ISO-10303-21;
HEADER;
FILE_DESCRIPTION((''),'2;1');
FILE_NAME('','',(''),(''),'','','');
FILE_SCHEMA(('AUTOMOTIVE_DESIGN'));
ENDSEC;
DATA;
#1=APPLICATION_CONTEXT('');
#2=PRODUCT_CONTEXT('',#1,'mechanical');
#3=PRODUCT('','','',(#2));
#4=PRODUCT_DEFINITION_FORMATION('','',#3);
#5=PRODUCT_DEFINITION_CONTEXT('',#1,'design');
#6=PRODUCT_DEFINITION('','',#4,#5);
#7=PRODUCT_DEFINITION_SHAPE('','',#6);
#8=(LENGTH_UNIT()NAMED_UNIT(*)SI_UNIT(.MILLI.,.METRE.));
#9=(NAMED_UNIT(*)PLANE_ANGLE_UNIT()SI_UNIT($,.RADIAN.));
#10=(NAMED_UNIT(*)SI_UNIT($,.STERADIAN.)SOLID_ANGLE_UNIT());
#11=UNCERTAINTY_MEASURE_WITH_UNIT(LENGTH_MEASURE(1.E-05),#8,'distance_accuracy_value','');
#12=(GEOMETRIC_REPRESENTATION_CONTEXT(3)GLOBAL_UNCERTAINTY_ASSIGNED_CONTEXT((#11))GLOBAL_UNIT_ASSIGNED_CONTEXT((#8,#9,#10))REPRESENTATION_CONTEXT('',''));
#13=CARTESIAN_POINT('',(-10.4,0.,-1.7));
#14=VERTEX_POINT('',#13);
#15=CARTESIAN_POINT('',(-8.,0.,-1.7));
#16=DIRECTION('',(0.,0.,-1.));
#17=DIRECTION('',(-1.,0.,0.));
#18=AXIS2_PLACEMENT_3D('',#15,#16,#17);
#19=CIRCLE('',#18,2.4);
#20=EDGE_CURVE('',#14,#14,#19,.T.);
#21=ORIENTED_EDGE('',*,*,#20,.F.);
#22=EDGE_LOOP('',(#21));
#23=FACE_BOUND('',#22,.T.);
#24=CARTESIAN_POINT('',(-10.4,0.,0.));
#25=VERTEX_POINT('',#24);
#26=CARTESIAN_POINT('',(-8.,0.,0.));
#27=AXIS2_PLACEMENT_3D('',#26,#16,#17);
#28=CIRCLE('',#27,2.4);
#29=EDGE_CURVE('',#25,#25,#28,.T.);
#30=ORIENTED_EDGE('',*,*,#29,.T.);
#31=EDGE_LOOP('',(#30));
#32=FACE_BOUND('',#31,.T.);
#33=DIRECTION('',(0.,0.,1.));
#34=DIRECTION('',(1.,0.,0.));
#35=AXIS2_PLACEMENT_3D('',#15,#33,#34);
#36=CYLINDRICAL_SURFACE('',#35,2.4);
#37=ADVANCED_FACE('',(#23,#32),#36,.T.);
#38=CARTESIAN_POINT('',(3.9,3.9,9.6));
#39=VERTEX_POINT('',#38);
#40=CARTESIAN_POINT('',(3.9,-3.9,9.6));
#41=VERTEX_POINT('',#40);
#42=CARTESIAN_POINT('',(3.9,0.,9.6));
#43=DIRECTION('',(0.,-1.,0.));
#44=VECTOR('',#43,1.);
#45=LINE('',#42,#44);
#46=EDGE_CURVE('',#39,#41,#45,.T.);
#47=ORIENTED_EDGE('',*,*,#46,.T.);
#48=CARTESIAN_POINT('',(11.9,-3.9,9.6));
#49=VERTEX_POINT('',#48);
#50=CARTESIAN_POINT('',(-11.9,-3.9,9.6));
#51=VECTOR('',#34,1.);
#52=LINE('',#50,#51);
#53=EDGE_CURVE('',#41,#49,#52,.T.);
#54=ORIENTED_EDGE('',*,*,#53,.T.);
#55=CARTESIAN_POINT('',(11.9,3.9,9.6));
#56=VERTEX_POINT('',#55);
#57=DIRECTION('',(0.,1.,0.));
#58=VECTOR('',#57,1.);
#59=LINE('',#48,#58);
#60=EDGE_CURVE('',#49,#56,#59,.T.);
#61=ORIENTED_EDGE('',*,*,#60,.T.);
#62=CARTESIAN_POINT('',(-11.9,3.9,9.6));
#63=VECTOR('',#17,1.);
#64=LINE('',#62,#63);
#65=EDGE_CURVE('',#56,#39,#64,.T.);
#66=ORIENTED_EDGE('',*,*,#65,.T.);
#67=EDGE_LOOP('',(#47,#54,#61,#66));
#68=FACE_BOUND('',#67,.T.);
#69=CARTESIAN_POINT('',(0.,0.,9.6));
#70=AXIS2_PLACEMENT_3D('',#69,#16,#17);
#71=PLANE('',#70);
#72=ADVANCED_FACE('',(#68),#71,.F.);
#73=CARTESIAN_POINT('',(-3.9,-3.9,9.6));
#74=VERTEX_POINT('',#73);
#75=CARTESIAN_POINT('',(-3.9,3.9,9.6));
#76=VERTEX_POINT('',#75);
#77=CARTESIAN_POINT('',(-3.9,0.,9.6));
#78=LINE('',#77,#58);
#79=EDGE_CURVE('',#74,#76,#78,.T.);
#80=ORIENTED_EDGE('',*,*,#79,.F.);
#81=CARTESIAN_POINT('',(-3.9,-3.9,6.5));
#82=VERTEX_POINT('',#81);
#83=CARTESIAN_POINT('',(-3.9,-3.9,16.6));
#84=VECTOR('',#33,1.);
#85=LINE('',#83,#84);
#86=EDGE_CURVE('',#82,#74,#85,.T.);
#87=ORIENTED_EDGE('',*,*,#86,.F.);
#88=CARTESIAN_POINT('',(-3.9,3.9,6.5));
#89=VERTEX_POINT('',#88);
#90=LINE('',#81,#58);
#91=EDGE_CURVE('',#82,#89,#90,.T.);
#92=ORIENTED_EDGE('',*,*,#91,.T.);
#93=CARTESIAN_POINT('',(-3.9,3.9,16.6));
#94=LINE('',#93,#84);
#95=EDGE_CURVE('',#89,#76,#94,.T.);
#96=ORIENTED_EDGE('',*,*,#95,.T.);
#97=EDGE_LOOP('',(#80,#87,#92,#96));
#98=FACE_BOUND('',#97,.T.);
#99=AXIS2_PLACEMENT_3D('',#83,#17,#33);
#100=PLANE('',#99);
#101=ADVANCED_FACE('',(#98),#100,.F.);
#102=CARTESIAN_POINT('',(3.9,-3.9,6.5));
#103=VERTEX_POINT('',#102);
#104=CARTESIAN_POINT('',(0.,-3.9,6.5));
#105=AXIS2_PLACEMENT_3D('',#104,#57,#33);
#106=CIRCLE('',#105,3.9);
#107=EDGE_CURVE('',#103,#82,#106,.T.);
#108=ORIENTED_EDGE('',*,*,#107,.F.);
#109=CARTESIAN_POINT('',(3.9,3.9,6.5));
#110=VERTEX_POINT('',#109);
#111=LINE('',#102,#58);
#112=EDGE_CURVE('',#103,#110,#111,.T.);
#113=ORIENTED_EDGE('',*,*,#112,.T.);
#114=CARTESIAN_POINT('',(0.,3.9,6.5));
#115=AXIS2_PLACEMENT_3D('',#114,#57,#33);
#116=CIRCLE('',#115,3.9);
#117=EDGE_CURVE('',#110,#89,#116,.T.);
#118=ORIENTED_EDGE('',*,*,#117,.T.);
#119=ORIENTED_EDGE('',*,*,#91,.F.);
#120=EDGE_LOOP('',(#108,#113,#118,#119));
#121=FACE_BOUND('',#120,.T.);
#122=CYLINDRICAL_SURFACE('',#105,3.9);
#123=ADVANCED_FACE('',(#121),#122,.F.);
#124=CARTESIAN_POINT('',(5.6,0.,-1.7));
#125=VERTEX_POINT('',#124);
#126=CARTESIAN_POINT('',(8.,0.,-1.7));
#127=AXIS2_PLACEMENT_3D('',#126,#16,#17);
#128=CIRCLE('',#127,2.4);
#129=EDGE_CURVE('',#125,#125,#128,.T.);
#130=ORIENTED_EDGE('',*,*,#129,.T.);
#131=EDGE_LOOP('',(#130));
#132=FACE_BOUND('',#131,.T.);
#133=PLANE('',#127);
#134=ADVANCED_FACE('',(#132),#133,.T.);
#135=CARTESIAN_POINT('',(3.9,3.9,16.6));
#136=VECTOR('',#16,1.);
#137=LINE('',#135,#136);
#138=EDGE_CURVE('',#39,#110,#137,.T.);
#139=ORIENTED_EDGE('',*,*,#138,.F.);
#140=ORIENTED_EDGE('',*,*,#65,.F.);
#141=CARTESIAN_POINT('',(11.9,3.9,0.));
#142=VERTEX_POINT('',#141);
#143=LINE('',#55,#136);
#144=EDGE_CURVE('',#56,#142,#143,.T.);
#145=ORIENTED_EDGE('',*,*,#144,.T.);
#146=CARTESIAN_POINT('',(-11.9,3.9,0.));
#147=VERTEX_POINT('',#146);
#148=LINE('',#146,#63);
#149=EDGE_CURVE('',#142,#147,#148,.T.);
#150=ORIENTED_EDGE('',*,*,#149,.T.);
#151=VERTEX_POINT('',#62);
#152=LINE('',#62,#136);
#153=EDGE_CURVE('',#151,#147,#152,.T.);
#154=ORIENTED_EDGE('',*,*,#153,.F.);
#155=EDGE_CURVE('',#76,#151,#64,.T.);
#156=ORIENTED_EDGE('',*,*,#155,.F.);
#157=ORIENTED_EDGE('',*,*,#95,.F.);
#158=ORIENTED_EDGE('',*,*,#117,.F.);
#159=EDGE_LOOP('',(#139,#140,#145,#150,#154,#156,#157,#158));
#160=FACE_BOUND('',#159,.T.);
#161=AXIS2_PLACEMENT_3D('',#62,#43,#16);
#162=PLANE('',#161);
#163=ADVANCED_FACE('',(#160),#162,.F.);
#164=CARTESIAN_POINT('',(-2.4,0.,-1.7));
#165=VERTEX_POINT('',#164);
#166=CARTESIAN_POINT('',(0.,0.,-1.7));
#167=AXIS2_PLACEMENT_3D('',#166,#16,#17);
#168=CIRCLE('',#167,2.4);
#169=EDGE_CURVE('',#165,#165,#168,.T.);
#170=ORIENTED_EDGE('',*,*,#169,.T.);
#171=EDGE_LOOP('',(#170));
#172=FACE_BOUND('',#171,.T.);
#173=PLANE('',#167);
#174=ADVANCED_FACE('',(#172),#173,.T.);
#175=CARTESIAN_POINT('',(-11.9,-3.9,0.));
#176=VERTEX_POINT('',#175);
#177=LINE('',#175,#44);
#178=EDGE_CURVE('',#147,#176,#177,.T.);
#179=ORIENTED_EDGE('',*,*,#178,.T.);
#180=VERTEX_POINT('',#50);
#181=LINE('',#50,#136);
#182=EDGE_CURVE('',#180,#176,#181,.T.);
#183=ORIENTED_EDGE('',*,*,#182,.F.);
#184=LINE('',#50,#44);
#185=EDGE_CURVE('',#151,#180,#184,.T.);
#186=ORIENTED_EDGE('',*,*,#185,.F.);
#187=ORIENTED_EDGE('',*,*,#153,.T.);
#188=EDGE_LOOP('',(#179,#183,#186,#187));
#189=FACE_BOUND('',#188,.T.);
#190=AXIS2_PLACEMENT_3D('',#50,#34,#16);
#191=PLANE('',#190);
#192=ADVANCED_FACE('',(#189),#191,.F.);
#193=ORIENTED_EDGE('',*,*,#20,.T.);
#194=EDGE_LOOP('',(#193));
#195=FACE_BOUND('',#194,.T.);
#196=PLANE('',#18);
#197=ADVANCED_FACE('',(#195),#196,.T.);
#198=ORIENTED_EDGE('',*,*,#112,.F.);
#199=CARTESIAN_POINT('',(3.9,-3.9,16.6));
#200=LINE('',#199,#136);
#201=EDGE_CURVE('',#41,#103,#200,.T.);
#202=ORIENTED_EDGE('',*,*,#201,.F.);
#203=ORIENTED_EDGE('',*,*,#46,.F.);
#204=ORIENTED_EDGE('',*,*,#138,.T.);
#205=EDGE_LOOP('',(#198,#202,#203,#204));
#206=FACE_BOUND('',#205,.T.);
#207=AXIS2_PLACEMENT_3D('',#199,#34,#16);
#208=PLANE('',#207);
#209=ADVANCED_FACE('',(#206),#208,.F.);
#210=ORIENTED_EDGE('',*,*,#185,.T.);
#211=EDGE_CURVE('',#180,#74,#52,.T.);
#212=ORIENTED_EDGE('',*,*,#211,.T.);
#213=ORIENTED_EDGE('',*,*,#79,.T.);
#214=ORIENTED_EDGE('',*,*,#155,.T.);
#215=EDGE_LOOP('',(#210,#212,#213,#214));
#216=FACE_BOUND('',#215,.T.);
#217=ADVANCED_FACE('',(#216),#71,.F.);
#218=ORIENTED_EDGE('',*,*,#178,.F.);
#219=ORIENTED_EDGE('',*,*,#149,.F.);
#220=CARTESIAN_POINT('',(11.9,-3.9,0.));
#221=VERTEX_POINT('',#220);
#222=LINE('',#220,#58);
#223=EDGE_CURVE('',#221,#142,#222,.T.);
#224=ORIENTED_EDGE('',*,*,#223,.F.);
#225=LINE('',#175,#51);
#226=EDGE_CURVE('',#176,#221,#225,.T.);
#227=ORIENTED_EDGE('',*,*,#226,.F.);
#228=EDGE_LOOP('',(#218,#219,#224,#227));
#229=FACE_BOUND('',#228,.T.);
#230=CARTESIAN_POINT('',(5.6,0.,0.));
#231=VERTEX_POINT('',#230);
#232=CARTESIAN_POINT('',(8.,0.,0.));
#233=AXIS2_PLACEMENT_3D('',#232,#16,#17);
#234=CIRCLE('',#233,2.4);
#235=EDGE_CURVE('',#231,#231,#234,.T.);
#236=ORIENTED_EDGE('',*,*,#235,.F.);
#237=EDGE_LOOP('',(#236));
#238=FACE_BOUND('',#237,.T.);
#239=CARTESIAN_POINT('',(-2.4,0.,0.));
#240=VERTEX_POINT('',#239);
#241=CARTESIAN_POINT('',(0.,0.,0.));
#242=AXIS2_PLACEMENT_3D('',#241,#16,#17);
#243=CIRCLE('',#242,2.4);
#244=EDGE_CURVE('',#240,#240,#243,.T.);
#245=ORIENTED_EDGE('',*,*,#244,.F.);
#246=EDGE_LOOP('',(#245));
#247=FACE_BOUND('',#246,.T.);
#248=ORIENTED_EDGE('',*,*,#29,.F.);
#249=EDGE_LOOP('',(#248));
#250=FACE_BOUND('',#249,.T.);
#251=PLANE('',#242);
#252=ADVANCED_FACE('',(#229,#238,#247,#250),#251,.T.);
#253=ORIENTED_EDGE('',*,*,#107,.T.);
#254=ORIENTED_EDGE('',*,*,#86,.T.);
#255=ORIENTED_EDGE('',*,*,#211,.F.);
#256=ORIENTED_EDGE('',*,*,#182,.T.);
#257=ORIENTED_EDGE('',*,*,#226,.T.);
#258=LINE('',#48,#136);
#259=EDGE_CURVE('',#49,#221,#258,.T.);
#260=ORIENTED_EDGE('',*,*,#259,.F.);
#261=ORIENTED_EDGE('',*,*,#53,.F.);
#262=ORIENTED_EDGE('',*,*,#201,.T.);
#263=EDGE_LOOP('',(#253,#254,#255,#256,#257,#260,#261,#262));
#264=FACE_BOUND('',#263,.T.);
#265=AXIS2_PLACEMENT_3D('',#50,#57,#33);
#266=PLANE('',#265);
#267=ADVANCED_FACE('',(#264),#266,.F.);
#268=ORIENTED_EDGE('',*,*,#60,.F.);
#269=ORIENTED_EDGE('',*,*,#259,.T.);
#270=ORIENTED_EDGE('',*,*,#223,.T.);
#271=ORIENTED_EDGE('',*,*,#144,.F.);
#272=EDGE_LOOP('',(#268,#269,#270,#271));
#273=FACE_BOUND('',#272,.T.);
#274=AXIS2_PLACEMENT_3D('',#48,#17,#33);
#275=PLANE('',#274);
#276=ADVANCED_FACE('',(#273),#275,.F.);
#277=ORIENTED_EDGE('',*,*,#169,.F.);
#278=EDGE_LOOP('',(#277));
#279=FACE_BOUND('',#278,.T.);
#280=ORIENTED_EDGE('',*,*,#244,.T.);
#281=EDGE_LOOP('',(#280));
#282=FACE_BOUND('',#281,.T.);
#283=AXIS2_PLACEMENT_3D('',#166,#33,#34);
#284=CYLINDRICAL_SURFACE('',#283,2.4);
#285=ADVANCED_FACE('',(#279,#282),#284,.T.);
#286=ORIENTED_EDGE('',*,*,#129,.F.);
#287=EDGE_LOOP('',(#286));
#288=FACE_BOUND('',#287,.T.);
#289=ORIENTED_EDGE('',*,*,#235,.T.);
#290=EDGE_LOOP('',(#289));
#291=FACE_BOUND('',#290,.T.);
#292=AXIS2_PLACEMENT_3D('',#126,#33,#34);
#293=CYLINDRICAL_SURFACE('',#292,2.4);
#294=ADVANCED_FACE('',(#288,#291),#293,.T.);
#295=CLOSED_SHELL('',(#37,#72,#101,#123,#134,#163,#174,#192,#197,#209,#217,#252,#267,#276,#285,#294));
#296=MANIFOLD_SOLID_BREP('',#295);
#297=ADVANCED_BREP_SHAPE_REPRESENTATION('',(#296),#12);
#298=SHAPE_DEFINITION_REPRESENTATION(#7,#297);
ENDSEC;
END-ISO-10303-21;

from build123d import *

# Parameters (mm, degrees)
SKETCH_1_W          = 23.8
SKETCH_1_H          = 7.8
EXTRUDE_1_DEPTH     = 9.6
SKETCH_2_R          = 2.4
EXTRUDE_2_DEPTH     = 1.7
CUT_EXTRUDE_1_DEPTH = 18.164206944


with BuildPart() as part:
    # Эскиз1 → Бобышка-Вытянуть1 (new body)
    with BuildSketch(Plane.XY):
        Rectangle(SKETCH_1_W, SKETCH_1_H)
    extrude(amount=EXTRUDE_1_DEPTH)

    # Эскиз2 → Бобышка-Вытянуть2 (add)
    with BuildSketch(Plane(origin=(0, 0, 0), x_dir=(-1, 0, 0), z_dir=(0, 0, -1))):
        Circle(SKETCH_2_R)
        with Locations((8, 0)):
            Circle(SKETCH_2_R)
        with Locations((-8, 0)):
            Circle(SKETCH_2_R)
    extrude(amount=EXTRUDE_2_DEPTH)

    # Эскиз3 → Вырез-Вытянуть1 (cut, through all)
    with BuildSketch(Plane(origin=(0, 3.9, 0), x_dir=(1, 0, 0), z_dir=(0, 1, 0))):
        with BuildLine():
            Line((-3.9, -16.6), (3.9, -16.6))
            Line((3.9, -16.6), (3.9, -6.5))
            ThreePointArc((3.9, -6.5), (0, -2.6), (-3.9, -6.5))
            Line((-3.9, -6.5), (-3.9, -16.6))
        make_face()
    extrude(amount=-CUT_EXTRUDE_1_DEPTH, mode=Mode.SUBTRACT)


solid = part.part
